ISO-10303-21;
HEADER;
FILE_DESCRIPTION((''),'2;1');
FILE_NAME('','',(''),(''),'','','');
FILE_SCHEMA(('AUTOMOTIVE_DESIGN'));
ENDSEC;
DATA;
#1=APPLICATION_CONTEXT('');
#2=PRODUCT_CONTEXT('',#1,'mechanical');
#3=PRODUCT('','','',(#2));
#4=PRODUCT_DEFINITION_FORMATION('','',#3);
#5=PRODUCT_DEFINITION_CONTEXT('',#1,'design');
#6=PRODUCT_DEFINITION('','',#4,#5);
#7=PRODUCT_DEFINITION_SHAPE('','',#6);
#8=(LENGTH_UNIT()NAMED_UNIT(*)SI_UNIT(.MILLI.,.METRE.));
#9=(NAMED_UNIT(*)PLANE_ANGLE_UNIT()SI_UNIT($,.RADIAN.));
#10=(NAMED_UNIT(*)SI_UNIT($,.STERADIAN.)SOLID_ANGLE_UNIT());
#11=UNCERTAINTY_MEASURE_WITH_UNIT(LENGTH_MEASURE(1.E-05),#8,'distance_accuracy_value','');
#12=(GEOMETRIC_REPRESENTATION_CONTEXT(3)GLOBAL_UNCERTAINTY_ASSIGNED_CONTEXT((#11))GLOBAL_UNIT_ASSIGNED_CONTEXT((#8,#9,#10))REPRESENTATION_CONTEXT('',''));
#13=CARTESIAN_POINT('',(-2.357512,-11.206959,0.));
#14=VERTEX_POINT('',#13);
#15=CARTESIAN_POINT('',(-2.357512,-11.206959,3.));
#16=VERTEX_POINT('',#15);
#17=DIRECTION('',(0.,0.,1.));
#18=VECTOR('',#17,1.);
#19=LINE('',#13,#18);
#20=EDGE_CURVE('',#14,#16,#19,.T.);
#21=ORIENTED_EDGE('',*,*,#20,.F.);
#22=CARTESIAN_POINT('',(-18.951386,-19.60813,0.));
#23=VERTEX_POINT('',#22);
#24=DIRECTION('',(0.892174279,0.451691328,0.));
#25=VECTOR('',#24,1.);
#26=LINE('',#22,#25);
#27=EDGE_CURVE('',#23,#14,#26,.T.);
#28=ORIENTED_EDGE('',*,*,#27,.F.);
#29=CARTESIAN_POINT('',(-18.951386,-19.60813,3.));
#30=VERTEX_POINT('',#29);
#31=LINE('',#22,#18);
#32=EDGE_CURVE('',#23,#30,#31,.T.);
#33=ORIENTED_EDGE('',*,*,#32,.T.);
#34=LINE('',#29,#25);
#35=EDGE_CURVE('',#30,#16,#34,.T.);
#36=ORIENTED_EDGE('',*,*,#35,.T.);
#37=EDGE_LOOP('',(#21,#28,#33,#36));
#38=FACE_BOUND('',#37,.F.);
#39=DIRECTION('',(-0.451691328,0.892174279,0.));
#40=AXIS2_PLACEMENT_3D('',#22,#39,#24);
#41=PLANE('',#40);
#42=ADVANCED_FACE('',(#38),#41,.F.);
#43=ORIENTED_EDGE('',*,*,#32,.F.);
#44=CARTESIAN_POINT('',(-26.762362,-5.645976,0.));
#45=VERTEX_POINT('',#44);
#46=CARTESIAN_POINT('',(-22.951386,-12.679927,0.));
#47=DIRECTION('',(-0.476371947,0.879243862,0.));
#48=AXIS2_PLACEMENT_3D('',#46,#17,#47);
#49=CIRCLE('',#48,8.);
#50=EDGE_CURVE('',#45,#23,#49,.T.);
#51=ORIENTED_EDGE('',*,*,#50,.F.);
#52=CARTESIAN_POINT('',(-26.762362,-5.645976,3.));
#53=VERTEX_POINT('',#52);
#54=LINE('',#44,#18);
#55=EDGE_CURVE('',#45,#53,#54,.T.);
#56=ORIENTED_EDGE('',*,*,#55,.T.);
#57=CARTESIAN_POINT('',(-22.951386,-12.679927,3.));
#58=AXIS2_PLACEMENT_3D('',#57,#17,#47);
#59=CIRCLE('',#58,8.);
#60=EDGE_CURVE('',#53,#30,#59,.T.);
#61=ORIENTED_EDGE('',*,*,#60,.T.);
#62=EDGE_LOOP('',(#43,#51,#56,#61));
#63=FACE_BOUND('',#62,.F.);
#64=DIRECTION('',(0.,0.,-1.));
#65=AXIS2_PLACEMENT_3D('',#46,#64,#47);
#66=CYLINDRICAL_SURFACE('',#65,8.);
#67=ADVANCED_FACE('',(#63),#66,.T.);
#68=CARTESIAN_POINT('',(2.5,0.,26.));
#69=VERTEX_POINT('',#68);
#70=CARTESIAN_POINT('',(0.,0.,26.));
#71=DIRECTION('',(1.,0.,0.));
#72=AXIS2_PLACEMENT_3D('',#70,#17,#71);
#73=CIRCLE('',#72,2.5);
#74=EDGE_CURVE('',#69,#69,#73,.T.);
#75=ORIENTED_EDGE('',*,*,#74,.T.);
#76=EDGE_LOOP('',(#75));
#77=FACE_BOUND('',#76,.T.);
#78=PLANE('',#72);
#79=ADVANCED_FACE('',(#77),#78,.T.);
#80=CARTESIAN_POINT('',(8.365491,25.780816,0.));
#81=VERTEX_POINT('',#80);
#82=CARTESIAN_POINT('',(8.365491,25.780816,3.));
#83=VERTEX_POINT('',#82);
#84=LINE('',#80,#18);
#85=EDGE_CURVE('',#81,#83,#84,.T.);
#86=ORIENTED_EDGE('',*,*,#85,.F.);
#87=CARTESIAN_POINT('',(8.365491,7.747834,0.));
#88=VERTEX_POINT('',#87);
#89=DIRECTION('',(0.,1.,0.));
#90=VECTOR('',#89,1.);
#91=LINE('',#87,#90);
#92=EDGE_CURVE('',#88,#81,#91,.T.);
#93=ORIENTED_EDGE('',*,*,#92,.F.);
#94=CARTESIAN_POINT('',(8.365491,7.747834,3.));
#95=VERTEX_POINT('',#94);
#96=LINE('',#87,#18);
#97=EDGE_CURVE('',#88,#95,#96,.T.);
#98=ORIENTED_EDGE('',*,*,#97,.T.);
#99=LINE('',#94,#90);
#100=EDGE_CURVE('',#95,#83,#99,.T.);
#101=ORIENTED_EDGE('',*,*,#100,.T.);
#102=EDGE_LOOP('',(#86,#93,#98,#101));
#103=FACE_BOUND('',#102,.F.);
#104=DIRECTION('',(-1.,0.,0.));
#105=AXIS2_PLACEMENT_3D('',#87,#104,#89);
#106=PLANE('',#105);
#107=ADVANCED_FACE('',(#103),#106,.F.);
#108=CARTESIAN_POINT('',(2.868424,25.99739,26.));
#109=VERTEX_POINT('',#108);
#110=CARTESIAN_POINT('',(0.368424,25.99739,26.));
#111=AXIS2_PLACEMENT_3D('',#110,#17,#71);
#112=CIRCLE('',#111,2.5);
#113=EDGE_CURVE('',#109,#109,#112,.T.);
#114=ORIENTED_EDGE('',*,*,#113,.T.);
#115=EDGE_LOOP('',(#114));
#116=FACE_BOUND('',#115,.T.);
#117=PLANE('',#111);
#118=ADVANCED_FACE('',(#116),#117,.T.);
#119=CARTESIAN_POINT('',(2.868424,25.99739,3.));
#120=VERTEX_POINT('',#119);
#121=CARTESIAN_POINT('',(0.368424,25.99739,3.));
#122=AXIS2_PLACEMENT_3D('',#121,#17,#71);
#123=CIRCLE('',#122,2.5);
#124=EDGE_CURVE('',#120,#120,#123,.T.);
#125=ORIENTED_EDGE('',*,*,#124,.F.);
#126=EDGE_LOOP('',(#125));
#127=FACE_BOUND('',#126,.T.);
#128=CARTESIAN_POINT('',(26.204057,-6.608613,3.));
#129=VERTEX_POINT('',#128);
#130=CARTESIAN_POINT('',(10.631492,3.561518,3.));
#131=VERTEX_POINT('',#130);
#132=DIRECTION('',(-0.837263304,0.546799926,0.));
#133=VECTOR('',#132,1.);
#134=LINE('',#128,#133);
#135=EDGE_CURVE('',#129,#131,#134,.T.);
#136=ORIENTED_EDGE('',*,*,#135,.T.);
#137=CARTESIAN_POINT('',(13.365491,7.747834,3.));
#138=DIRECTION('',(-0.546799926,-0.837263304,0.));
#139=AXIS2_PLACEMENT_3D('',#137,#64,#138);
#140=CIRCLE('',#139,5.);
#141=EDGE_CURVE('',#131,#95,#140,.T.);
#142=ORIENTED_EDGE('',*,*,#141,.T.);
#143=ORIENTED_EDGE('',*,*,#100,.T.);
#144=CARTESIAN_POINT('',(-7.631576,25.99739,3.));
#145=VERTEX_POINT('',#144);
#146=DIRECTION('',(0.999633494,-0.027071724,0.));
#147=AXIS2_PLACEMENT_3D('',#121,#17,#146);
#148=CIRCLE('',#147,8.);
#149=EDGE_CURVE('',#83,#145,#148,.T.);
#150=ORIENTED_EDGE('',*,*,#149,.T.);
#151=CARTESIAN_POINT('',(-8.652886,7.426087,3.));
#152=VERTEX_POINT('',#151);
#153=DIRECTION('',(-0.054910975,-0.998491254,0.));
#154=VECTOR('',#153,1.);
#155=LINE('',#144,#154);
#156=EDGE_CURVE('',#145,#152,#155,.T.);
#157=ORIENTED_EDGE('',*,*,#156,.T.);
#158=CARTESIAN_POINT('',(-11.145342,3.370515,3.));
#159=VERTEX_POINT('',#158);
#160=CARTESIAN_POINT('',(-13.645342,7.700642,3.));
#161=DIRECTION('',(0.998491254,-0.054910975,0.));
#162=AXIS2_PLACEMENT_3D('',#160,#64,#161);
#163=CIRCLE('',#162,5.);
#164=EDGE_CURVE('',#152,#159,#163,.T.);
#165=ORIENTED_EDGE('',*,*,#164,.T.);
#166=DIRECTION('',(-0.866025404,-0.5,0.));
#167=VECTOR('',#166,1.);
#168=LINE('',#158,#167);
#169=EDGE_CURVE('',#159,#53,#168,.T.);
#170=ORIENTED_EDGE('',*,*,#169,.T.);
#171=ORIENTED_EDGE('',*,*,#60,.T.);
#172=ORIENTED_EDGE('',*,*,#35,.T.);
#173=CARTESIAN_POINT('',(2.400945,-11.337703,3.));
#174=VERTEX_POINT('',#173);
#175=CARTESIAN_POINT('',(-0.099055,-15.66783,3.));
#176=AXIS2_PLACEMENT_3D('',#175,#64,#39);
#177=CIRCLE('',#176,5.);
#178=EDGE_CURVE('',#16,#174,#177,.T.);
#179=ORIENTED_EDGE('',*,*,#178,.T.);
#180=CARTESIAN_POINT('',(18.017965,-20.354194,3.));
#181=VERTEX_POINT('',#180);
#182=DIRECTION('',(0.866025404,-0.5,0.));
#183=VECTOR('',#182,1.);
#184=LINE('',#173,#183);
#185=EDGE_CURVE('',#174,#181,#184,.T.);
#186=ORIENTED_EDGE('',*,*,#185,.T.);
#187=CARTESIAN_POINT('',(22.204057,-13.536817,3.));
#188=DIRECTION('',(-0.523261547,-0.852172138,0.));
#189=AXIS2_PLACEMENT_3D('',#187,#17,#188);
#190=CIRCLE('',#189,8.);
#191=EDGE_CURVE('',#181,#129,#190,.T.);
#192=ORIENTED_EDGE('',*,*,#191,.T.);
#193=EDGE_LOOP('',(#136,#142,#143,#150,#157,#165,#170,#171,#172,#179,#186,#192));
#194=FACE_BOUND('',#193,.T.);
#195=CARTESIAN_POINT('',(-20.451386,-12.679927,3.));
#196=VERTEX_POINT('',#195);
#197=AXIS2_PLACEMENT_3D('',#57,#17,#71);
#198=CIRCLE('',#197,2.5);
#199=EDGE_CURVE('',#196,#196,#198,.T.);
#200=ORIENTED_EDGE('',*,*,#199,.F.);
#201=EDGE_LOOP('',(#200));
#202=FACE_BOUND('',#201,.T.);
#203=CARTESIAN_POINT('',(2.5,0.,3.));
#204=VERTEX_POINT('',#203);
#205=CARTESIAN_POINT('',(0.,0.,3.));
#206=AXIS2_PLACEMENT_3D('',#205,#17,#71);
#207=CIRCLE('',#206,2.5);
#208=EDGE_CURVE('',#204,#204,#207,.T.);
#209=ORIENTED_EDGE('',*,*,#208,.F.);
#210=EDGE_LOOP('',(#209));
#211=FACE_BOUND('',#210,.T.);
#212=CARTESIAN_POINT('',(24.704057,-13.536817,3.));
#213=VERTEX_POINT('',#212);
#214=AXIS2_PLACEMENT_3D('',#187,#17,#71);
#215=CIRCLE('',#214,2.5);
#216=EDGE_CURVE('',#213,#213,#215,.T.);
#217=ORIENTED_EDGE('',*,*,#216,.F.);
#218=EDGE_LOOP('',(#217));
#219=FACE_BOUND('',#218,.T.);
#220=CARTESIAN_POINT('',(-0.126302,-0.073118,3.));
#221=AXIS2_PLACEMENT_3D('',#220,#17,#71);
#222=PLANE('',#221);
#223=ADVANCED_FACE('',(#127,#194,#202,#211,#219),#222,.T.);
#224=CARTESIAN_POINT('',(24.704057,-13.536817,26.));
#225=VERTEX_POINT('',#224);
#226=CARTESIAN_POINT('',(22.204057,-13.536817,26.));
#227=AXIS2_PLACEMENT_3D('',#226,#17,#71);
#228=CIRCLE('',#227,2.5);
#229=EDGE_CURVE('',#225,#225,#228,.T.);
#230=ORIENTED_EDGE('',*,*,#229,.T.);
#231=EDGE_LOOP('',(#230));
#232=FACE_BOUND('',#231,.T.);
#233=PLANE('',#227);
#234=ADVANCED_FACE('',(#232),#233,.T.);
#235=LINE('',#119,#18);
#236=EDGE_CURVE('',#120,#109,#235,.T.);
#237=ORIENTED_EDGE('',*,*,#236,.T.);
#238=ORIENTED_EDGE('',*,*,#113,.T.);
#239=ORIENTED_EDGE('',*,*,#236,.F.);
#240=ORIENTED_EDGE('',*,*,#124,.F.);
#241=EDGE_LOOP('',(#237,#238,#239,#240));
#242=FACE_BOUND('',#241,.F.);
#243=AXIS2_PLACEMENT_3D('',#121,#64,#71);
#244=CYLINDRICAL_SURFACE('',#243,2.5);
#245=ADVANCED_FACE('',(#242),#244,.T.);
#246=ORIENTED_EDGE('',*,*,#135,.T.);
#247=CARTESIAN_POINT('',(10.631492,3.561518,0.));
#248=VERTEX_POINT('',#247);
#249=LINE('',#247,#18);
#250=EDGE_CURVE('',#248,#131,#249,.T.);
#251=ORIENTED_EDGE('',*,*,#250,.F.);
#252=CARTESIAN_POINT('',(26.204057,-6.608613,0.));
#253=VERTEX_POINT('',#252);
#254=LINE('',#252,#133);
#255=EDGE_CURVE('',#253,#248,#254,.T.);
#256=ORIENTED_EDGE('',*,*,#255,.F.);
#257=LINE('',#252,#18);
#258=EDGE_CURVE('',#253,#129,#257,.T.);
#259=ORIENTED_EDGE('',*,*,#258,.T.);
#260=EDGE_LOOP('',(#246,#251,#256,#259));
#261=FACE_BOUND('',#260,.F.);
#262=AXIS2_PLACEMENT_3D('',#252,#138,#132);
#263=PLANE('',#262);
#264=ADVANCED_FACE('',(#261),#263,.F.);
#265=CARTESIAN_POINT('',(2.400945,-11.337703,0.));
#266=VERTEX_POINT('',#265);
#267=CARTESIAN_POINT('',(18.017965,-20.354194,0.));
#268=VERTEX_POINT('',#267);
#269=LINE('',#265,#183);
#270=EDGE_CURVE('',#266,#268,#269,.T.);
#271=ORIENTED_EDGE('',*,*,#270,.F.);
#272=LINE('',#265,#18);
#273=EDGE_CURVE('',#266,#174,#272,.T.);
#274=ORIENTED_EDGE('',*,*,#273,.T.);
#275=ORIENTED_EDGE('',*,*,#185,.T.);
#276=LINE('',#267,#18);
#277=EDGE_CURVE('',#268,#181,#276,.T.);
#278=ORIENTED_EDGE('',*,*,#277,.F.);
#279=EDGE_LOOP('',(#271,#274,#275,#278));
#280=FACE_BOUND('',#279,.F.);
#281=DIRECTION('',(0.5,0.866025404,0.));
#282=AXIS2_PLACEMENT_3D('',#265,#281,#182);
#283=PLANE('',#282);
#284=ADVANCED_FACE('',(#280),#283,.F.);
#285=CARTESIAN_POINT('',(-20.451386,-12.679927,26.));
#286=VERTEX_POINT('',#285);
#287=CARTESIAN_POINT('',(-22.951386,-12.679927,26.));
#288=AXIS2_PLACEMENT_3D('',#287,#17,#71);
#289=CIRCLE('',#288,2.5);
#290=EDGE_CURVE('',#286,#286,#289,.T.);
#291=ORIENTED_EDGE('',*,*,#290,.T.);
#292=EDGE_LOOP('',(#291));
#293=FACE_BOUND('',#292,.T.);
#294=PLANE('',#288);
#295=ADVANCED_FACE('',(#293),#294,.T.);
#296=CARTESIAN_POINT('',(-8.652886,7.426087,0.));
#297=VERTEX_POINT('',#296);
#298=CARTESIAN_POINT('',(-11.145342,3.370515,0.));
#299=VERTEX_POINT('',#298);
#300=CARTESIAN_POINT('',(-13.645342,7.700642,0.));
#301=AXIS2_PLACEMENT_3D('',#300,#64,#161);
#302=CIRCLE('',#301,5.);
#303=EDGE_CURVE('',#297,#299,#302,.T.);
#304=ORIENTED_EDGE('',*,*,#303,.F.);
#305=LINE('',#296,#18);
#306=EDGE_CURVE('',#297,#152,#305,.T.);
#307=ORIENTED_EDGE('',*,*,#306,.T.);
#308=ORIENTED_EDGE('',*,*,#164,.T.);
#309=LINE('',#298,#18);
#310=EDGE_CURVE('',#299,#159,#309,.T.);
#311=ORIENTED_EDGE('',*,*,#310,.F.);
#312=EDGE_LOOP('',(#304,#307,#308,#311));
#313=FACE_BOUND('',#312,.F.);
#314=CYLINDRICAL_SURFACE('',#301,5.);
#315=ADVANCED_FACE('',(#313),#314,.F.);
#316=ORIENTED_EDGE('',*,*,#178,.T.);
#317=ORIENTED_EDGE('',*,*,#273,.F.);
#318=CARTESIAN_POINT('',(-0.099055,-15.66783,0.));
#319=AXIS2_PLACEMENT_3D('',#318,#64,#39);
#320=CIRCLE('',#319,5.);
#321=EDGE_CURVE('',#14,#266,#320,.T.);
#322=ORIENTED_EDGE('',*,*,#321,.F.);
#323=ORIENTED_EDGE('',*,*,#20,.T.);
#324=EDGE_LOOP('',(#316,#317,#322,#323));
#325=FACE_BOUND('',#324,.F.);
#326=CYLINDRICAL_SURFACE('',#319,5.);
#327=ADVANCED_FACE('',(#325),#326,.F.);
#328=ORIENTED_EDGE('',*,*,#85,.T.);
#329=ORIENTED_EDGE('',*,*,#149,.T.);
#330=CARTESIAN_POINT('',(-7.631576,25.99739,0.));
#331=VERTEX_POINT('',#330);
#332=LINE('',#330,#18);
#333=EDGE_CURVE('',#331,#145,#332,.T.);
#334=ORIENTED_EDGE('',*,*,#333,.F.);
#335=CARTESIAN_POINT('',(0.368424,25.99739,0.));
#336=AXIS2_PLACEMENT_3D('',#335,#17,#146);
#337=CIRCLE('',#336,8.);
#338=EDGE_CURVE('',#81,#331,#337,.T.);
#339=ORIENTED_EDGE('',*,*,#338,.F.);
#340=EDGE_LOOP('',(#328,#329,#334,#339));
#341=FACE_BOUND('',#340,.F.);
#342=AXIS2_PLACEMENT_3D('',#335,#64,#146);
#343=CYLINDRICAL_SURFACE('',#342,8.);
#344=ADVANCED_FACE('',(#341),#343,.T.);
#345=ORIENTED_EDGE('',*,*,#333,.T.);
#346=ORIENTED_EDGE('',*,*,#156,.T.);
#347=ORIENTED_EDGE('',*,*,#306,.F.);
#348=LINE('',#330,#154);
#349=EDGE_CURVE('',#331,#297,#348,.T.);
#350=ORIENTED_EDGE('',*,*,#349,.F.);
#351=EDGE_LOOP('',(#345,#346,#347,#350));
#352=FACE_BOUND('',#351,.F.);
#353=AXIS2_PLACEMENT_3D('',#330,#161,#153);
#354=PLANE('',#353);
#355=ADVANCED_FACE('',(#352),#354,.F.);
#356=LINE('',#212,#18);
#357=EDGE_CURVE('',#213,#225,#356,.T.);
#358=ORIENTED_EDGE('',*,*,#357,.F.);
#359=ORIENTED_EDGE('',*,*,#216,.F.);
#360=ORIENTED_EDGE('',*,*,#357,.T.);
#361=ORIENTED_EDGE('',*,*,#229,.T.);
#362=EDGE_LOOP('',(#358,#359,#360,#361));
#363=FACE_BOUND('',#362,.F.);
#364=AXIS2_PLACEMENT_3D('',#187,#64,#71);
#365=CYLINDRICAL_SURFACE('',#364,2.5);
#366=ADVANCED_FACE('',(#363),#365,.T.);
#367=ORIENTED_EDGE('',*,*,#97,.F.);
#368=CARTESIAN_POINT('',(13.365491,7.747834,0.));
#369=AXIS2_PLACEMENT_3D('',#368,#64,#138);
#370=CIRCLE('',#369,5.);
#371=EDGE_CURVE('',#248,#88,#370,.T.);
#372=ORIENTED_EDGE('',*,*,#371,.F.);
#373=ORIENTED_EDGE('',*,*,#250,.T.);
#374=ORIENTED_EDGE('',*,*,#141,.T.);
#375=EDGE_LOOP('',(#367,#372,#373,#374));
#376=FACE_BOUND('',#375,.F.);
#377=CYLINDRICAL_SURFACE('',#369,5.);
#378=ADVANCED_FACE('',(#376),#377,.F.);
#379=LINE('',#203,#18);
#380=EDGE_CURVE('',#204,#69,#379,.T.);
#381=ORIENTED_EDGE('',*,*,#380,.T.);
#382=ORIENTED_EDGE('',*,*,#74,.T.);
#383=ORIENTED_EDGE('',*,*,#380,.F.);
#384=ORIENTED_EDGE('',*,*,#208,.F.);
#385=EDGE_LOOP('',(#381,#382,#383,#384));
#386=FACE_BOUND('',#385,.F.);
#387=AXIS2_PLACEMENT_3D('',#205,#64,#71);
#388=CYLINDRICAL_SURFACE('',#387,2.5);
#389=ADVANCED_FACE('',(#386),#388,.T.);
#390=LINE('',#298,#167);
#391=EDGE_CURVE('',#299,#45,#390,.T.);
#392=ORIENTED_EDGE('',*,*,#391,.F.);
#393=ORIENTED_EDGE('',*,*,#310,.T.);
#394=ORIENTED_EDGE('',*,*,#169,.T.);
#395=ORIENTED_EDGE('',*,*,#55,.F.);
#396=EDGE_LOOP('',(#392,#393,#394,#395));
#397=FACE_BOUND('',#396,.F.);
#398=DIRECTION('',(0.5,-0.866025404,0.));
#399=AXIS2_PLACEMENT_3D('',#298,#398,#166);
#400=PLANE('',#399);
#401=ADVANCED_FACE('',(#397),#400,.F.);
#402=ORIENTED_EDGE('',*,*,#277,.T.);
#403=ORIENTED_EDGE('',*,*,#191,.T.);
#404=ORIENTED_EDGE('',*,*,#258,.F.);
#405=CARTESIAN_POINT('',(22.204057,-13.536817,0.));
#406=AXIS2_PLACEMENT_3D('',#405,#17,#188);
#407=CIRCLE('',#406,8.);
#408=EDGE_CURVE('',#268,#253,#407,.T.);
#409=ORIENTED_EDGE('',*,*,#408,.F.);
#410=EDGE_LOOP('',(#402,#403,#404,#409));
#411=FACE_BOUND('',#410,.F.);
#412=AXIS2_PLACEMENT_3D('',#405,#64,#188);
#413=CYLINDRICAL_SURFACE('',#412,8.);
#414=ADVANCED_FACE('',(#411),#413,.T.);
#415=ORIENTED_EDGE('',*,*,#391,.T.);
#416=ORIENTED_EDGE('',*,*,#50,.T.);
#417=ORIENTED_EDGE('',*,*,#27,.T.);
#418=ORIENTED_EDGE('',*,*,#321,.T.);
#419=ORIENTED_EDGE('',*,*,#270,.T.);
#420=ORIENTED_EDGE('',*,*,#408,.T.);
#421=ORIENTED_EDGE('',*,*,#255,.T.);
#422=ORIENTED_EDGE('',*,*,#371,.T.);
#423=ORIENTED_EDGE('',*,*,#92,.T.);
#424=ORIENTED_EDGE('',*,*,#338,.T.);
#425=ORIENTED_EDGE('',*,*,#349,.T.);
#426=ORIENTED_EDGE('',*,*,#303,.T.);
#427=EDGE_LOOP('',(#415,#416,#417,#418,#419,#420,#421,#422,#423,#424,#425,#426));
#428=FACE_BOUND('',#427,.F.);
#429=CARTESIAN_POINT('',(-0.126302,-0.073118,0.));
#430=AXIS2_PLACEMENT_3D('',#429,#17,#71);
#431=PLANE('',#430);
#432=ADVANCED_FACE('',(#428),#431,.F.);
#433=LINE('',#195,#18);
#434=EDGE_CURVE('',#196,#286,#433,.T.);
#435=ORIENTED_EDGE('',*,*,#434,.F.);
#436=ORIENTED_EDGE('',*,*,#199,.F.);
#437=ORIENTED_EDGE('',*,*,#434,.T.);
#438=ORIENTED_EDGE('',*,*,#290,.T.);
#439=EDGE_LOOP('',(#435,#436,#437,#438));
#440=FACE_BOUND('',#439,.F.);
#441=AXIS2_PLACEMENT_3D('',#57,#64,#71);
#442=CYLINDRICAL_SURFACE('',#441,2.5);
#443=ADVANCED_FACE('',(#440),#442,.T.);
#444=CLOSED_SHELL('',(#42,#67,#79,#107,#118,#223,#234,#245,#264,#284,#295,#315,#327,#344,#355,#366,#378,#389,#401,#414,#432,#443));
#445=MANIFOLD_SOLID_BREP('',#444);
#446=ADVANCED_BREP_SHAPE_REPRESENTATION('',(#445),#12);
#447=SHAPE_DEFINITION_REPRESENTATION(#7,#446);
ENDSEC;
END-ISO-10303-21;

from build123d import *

# Parameters (mm, degrees)
F1_DEPTH = 3
F2_R     = 2.5
F3_DEPTH = 23


with BuildPart() as f1:
    # F0 (on Top) → F1 (new body)
    with BuildSketch(Plane.XY):
        with BuildLine():
            Line((8.3654914829, 7.7478343503), (8.3654914829, 25.7808157751))
            ThreePointArc((8.3654914829, 25.7808157751), (0.4767203504, 33.9966565171), (-7.631576467, 25.9973895632))
            Line((-7.631576467, 25.9973895632), (-8.6528857034, 7.4260866897))
            ThreePointArc((-8.6528857034, 7.4260866897), (-9.3855131516, 5.0826540918), (-11.1453419747, 3.3705145438))
            Line((-11.1453419747, 3.3705145438), (-26.7623619946, -5.6459761686))
            ThreePointArc((-26.7623619946, -5.6459761686), (-29.9331032244, -16.585772745), (-18.951386422, -19.6081302933))
            Line((-18.951386422, -19.6081302933), (-2.3575117339, -11.2069586004))
            ThreePointArc((-2.3575117339, -11.2069586004), (0.038274152, -10.6697162831), (2.400944907, -11.3377029763))
            Line((2.400944907, -11.3377029763), (18.0179649268, -20.3541936886))
            ThreePointArc((18.0179649268, -20.3541936886), (29.0774772891, -17.6302378543), (26.2040573041, -6.6086133521))
            Line((26.2040573041, -6.6086133521), (10.6314918524, 3.5615178285))
            ThreePointArc((10.6314918524, 3.5615178285), (8.9683334147, 5.3677081091), (8.3654914829, 7.7478343503))
        make_face()
        with BuildLine():
            ThreePointArc((-20.451386422, -12.679927063), (-25.3707248656, -13.3098488797), (-20.7688276181, -11.4607318089))
            ThreePointArc((-20.7688276181, -11.4607318089), (-20.5320479783, -12.0500052463), (-20.451386422, -12.679927063))
        make_face(mode=Mode.SUBTRACT)
        with BuildLine():
            ThreePointArc((24.7040573041, -13.5368165824), (21.5399163779, -15.9469860432), (20.0569238399, -12.25626284))
            ThreePointArc((20.0569238399, -12.25626284), (22.8681982302, -11.1266471215), (24.7040573041, -13.5368165824))
        make_face(mode=Mode.SUBTRACT)
        with BuildLine():
            ThreePointArc((-7.9164689421, -4.2812988086), (-7.6979940139, 4.6627125327), (0.127531223, 8.9990963873))
            ThreePointArc((0.127531223, 8.9990963873), (6.4088915191, 6.3187110629), (9, 0))
            ThreePointArc((9, 0), (8.6421794957, -2.5125153857), (7.5971703192, -4.8252464332))
            ThreePointArc((7.5971703192, -4.8252464332), (-0.315369081, -8.9944728774), (-7.9164689421, -4.2812988086))
        make_face(mode=Mode.SUBTRACT)
        with BuildLine():
            ThreePointArc((2.868423533, 25.9973895632), (2.1236210505, 24.217141919), (0.3329981933, 23.4976405667))
            ThreePointArc((0.3329981933, 23.4976405667), (-1.3867739845, 27.7776372074), (2.868423533, 25.9973895632))
        make_face(mode=Mode.SUBTRACT)
        with BuildLine():
            Line((7.5971703192, -4.8252464332), (2.0066709741, -1.4910639161))
            ThreePointArc((2.0066709741, -1.4910639161), (-0.2232494881, -2.4900119811), (-2.239906233, -1.1103243073))
            Line((-2.239906233, -1.1103243073), (-7.9164689421, -4.2812988086))
            ThreePointArc((-7.9164689421, -4.2812988086), (-0.315369081, -8.9944728774), (7.5971703192, -4.8252464332))
        make_face()
        with BuildLine():
            ThreePointArc((-2.239906233, -1.1103243073), (-2.1149683962, 1.333007383), (0.0354253397, 2.4997489965))
            Line((0.0354253397, 2.4997489965), (0.127531223, 8.9990963873))
            ThreePointArc((0.127531223, 8.9990963873), (-7.6979940139, 4.6627125327), (-7.9164689421, -4.2812988086))
            Line((-7.9164689421, -4.2812988086), (-2.239906233, -1.1103243073))
        make_face()
        with BuildLine():
            ThreePointArc((0.0354253397, 2.4997489965), (1.7802476442, 1.7551975175), (2.5, 0))
            ThreePointArc((2.5, 0), (2.3734655501, -0.7852778377), (2.0066709741, -1.4910639161))
            Line((2.0066709741, -1.4910639161), (7.5971703192, -4.8252464332))
            ThreePointArc((7.5971703192, -4.8252464332), (8.6421794957, -2.5125153857), (9, 0))
            ThreePointArc((9, 0), (6.4088915191, 6.3187110629), (0.127531223, 8.9990963873))
            Line((0.127531223, 8.9990963873), (0.0354253397, 2.4997489965))
        make_face()
        with BuildLine():
            ThreePointArc((2.868423533, 25.9973895632), (-1.3867739845, 27.7776372074), (0.3329981933, 23.4976405667))
            ThreePointArc((0.3329981933, 23.4976405667), (2.1236210505, 24.217141919), (2.868423533, 25.9973895632))
        make_face()
        with BuildLine():
            ThreePointArc((24.7040573041, -13.5368165824), (22.8681982302, -11.1266471215), (20.0569238399, -12.25626284))
            ThreePointArc((20.0569238399, -12.25626284), (21.5399163779, -15.9469860432), (24.7040573041, -13.5368165824))
        make_face()
        with BuildLine():
            ThreePointArc((2.0066709741, -1.4910639161), (2.3734655501, -0.7852778377), (2.5, 0))
            ThreePointArc((2.5, 0), (1.7802476442, 1.7551975175), (0.0354253397, 2.4997489965))
            ThreePointArc((0.0354253397, 2.4997489965), (-2.1149683962, 1.333007383), (-2.239906233, -1.1103243073))
            ThreePointArc((-2.239906233, -1.1103243073), (-0.2232494881, -2.4900119811), (2.0066709741, -1.4910639161))
        make_face()
        with BuildLine():
            ThreePointArc((-20.451386422, -12.679927063), (-20.5320479783, -12.0500052463), (-20.7688276181, -11.4607318089))
            ThreePointArc((-20.7688276181, -11.4607318089), (-25.3707248656, -13.3098488797), (-20.451386422, -12.679927063))
        make_face()
    extrude(amount=F1_DEPTH)

    # F2 (on face) → F3 (join)
    with BuildSketch(Plane.XY.offset(3)):
        with Locations((-22.951386422, -12.679927063)):
            Circle(F2_R)
        with Locations((0.368423533, 25.9973895632)):
            Circle(F2_R)
        with Locations((22.2040573041, -13.5368165824)):
            Circle(F2_R)
        Circle(F2_R)
    extrude(amount=F3_DEPTH)


solid = f1.part
